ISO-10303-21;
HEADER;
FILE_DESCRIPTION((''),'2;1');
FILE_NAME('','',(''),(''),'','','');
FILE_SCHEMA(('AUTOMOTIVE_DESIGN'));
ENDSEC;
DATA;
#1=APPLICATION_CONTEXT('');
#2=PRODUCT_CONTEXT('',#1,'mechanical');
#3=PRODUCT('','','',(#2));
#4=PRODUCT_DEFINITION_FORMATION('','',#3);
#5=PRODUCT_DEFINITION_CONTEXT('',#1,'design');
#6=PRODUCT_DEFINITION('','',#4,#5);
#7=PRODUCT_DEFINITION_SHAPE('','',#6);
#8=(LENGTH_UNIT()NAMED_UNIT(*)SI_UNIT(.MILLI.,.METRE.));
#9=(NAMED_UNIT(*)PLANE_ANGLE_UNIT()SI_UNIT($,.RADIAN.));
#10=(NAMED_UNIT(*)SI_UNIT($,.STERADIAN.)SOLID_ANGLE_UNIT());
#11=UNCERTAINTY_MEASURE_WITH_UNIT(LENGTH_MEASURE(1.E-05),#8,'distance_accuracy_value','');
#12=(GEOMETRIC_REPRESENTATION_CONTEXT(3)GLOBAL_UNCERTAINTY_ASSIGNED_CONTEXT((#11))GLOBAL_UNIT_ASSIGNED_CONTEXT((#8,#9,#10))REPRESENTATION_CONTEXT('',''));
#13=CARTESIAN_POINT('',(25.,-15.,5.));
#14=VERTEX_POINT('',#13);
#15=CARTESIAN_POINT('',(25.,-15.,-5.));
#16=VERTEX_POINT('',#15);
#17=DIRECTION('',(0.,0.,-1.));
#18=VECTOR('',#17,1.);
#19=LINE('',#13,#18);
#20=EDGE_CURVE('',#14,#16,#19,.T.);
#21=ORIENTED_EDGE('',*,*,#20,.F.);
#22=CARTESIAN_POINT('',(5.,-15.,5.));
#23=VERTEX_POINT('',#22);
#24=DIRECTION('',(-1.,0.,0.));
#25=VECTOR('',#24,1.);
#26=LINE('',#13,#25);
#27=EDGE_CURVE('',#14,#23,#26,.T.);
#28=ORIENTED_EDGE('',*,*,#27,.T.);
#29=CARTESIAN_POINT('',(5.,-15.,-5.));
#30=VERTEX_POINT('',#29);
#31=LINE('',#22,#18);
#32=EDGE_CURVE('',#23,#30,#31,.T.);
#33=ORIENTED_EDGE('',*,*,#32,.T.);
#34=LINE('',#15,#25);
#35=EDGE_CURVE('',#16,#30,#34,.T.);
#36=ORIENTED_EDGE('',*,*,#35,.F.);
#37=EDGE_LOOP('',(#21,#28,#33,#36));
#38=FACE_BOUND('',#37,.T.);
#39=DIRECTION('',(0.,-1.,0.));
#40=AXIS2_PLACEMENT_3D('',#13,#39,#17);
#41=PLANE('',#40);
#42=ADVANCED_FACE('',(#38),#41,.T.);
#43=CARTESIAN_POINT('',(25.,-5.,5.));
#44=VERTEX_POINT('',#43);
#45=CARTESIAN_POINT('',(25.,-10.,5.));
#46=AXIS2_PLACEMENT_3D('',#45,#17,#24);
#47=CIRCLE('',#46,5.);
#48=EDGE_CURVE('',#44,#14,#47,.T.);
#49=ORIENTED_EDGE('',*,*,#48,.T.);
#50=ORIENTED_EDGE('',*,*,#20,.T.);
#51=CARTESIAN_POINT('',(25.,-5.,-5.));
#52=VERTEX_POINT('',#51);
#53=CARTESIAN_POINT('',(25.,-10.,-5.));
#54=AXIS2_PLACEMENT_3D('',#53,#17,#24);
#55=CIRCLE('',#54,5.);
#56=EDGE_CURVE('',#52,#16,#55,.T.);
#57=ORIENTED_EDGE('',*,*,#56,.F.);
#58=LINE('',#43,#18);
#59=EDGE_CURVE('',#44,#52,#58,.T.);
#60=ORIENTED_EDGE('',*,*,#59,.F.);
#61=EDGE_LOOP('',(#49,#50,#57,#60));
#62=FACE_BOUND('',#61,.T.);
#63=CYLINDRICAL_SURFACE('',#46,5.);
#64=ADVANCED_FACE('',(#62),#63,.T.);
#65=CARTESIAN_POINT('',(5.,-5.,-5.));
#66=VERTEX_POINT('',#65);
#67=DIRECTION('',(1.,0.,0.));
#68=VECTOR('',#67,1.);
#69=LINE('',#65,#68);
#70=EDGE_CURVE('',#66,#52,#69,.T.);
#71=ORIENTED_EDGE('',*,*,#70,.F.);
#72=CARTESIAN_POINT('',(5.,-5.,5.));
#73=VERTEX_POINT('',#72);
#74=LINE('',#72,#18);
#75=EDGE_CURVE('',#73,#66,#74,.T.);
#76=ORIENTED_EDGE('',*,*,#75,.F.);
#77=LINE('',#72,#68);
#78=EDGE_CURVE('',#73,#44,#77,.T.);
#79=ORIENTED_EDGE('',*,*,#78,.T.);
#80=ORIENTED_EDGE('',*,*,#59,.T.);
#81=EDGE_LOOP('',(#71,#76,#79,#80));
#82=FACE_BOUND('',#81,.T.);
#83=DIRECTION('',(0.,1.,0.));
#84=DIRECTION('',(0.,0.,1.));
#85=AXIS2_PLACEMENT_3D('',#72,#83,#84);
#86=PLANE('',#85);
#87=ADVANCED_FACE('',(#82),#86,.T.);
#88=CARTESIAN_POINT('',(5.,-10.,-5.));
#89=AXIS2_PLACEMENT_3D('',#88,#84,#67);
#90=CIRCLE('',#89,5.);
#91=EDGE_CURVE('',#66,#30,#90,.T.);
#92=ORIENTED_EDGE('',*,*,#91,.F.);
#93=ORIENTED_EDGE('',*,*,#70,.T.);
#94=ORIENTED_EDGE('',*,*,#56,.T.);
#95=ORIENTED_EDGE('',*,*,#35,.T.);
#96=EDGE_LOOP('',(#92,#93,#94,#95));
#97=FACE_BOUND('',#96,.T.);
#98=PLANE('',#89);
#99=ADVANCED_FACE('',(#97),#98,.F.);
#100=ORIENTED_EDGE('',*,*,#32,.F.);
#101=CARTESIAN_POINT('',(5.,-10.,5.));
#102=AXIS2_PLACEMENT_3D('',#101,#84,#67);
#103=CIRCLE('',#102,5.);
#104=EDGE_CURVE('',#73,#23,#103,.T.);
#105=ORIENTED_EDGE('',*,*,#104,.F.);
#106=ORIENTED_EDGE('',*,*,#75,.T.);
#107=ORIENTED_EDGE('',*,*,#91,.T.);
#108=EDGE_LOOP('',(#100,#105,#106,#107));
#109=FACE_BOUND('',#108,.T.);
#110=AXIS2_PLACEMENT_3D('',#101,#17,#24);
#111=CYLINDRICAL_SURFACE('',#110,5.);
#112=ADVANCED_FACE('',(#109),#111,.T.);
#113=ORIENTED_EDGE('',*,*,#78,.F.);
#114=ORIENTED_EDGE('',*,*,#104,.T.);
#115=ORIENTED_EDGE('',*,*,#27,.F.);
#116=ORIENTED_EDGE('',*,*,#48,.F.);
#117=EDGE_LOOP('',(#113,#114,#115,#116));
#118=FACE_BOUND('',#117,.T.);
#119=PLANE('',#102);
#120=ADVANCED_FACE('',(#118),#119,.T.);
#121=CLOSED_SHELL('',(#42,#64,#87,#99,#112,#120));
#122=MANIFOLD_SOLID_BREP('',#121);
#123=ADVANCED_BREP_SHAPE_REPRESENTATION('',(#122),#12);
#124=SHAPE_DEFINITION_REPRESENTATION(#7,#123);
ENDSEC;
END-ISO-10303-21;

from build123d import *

# Parameters (mm, degrees)
BOSS_EXTRUDE1_DEPTH = 5


with BuildPart() as part:
    # Sketch1 → Boss-Extrude1 (new, symmetric)
    with BuildSketch(Plane.XY):
        with BuildLine():
            Line((5, -5), (25, -5))
            ThreePointArc((25, -5), (30, -10), (25, -15))
            Line((25, -15), (5, -15))
            ThreePointArc((5, -15), (0, -10), (5, -5))
        make_face()
    extrude(amount=BOSS_EXTRUDE1_DEPTH, both=True)


solid = part.part
